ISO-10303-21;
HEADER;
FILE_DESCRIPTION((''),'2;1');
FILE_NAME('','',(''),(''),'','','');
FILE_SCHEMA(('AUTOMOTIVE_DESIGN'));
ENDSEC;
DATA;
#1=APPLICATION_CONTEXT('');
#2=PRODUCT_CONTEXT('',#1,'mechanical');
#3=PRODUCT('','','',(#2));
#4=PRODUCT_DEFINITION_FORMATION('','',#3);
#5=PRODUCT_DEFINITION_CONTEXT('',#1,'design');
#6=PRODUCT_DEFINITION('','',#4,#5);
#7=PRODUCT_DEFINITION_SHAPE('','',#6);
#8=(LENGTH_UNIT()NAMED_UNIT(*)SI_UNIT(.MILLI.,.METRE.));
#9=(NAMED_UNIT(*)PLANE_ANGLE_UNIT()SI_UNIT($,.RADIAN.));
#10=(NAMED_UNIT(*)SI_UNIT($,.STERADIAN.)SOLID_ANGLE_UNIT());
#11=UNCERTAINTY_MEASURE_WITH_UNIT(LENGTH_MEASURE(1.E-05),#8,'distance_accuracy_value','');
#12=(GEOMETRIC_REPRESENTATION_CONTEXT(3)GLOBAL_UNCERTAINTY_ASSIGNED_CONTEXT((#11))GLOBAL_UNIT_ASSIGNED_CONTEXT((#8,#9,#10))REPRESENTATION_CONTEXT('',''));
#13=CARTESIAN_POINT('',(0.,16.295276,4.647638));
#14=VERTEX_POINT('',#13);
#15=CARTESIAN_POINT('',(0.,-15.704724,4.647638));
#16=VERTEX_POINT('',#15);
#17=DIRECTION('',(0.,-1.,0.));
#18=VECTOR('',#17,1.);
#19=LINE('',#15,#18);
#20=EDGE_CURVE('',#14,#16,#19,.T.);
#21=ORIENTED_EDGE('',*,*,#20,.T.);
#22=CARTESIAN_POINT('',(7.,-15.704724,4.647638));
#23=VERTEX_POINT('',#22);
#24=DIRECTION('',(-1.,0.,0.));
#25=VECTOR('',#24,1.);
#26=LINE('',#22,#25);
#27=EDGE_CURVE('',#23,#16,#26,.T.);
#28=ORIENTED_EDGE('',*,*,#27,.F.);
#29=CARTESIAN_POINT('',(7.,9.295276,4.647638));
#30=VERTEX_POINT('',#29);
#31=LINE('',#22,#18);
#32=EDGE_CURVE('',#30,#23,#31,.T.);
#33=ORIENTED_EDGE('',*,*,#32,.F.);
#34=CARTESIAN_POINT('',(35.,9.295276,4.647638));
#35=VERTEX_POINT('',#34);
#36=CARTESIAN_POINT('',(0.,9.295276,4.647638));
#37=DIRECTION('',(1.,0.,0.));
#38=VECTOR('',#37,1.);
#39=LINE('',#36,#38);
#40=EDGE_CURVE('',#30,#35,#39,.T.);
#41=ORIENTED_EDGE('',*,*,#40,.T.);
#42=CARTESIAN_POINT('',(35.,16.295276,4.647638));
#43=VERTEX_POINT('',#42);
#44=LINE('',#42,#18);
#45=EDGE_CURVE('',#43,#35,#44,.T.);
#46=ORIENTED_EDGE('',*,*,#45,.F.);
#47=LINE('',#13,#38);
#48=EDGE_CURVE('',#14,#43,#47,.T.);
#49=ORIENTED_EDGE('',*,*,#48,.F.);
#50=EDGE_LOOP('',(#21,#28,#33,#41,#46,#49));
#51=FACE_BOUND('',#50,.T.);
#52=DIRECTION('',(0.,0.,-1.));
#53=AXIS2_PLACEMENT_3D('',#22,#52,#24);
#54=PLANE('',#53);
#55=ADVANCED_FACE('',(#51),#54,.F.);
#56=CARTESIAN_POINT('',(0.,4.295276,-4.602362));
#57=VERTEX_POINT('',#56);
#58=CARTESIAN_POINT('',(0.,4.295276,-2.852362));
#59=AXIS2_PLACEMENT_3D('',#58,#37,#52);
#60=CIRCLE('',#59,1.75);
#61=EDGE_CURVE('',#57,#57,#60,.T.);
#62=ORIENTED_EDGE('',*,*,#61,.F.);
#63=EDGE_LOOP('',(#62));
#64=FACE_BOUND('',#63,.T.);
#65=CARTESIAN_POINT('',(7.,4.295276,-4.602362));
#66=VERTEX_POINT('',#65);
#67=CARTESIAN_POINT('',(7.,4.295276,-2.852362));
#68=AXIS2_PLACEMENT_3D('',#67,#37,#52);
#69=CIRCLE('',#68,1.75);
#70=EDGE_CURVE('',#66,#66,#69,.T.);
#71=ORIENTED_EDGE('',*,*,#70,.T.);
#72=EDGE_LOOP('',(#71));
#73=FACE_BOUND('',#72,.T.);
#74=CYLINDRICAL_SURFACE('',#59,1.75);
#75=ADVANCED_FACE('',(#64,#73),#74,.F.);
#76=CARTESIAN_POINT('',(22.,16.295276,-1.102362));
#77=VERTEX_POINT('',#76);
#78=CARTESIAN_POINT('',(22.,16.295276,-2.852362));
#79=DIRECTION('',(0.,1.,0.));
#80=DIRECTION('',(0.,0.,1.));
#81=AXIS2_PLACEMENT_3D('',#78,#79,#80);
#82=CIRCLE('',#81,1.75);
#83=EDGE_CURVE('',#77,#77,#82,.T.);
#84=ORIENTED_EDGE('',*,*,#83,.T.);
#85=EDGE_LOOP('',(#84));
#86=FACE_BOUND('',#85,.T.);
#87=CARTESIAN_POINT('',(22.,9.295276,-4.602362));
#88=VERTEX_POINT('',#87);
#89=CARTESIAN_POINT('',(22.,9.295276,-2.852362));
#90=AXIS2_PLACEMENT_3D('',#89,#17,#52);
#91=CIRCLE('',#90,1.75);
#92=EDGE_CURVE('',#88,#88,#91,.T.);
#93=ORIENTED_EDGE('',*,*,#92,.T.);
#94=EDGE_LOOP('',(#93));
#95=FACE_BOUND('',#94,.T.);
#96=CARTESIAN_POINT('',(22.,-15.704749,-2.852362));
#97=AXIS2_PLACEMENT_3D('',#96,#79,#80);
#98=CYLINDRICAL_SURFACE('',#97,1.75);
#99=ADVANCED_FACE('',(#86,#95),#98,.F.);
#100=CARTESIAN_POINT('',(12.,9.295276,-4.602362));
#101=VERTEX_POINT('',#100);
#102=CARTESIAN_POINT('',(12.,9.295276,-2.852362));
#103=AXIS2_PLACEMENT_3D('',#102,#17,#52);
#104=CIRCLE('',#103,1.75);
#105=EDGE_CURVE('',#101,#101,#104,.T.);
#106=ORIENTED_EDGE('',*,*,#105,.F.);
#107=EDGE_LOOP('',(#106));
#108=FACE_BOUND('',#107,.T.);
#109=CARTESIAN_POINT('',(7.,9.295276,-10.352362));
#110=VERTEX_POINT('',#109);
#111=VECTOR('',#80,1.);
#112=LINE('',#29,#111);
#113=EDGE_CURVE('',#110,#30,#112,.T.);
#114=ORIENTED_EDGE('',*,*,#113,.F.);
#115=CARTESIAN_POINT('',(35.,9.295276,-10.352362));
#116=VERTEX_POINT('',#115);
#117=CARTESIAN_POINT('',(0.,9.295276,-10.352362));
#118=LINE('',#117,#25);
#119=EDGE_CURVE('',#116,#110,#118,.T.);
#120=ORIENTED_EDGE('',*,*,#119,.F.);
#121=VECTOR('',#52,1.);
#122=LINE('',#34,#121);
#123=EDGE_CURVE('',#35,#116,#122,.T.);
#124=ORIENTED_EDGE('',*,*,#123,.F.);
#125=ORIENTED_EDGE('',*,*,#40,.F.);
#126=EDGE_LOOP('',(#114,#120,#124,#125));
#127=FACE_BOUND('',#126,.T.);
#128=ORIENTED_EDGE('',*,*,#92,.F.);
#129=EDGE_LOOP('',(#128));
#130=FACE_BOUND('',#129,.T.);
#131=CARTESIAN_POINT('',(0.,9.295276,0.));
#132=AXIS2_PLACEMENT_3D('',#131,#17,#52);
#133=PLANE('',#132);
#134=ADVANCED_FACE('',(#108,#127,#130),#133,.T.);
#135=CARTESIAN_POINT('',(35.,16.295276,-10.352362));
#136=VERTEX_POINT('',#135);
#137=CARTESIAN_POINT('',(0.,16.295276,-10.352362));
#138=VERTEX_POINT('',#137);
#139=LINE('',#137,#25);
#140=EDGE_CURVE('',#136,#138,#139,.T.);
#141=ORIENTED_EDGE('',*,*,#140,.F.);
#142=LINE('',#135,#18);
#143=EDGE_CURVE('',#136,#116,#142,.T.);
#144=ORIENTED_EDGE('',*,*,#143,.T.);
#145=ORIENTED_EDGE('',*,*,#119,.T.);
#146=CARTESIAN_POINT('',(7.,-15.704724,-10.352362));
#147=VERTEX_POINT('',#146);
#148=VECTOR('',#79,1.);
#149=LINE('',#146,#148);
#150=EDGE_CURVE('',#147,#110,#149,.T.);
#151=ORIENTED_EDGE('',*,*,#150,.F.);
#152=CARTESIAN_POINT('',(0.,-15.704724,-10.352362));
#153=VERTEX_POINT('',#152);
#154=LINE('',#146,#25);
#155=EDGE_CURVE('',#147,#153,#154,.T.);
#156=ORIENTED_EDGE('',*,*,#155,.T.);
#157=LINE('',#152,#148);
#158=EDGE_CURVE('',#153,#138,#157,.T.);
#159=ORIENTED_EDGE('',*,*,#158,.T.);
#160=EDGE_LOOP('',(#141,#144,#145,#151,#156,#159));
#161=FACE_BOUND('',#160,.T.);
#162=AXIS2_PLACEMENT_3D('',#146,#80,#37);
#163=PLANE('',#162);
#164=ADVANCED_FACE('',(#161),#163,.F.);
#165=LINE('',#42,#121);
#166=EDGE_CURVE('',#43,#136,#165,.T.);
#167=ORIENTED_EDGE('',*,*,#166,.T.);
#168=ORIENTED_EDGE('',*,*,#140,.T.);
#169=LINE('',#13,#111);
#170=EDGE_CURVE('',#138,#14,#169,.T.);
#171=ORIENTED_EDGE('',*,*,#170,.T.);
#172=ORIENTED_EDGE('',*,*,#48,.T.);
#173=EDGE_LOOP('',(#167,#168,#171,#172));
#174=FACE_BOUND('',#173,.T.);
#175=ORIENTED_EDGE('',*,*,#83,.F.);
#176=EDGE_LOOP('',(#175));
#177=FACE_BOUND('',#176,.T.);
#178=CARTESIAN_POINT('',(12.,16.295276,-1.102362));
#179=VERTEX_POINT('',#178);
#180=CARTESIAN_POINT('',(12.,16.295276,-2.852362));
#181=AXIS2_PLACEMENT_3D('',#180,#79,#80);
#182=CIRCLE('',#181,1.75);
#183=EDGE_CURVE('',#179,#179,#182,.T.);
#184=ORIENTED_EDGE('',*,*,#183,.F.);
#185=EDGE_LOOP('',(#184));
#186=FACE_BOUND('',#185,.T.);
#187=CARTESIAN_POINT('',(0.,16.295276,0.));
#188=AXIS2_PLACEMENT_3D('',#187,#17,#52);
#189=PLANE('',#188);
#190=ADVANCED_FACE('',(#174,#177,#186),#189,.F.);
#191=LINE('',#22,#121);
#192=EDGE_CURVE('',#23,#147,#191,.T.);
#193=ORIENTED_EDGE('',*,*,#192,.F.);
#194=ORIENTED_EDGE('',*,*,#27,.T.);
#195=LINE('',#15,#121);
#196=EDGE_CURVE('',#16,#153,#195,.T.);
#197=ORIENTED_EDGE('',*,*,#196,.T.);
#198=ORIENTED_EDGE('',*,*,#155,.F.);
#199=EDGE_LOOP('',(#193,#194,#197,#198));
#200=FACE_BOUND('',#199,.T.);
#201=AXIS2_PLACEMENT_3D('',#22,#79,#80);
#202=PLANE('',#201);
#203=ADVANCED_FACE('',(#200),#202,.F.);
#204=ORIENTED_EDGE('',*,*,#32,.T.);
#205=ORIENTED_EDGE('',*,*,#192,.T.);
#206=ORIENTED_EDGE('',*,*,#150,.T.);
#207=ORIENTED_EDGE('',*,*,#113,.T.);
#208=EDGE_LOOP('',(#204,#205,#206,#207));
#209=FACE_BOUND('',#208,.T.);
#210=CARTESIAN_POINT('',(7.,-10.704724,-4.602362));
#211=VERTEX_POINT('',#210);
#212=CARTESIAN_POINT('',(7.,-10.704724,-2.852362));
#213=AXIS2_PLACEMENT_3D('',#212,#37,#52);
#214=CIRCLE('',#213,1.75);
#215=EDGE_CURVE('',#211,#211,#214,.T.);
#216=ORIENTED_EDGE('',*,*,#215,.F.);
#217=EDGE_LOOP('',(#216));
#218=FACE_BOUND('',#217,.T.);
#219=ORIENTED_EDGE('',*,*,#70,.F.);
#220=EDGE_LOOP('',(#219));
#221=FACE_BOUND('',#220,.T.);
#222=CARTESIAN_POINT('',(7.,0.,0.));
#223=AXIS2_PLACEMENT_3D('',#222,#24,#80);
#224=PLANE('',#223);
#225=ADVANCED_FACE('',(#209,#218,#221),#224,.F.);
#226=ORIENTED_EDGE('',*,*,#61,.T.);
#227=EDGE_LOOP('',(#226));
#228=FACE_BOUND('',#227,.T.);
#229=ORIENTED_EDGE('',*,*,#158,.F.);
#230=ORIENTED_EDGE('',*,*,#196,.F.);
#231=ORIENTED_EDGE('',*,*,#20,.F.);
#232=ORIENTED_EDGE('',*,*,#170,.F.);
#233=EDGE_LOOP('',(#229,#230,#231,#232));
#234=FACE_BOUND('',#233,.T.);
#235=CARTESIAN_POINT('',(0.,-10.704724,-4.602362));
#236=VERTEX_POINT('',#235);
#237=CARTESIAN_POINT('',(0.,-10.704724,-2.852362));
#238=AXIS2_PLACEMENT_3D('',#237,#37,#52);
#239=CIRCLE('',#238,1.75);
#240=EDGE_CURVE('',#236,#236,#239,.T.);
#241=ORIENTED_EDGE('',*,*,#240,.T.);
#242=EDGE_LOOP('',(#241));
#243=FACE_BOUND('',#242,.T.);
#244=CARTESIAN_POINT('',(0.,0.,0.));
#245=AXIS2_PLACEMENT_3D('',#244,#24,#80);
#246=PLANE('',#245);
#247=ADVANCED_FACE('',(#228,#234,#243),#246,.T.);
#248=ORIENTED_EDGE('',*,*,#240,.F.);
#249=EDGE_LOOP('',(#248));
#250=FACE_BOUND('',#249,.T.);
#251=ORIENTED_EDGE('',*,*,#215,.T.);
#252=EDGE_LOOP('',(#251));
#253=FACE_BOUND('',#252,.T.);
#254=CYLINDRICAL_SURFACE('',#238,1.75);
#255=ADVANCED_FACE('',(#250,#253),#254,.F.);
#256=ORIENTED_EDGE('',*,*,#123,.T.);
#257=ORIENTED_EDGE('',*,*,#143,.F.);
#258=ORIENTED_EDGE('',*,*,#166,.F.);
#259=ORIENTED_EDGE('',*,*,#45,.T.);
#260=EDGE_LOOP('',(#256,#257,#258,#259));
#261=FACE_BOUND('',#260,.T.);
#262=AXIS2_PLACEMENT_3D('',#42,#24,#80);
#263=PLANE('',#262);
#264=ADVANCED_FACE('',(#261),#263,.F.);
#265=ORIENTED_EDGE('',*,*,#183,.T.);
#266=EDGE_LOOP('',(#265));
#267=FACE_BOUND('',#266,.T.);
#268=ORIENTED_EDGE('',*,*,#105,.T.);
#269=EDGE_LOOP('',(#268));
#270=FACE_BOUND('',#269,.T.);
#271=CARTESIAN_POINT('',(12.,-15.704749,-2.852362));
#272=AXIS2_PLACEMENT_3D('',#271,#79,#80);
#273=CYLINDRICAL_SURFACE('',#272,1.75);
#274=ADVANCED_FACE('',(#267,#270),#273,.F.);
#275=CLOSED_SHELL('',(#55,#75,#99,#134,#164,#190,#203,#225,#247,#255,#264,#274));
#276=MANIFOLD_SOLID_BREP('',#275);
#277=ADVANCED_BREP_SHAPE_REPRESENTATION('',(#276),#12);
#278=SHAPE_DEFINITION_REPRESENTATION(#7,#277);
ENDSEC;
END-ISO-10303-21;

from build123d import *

# Parameters (mm, degrees)
SKETCH2_W           = 15
SKETCH2_H           = 25
BOSS_EXTRUDE1_DEPTH = 7
SKETCH3_R           = 1.75
CUT_EXTRUDE1_DEPTH  = 21.070120648
SKETCH4_W           = 35
SKETCH4_H           = 15
BOSS_EXTRUDE2_DEPTH = 7
SKETCH5_R           = 1.75
CUT_EXTRUDE2_DEPTH  = 49.540409928


with BuildPart() as part:
    # Sketch2 → Boss-Extrude1 (new body)
    with BuildSketch(Plane(origin=(0, 0, 0), x_dir=(0, 0, -1), z_dir=(1, 0, 0))):
        with Locations((2.852361856, -3.204723711)):
            Rectangle(SKETCH2_W, SKETCH2_H)
    extrude(amount=BOSS_EXTRUDE1_DEPTH)

    # Sketch3 → Cut-Extrude1 (cut, through all)
    with BuildSketch(Plane(origin=(7, 0, 0), x_dir=(0, 0, -1), z_dir=(1, 0, 0))):
        with Locations((2.852361856, -10.704723711)):
            Circle(SKETCH3_R)
        with Locations((2.852361856, 4.295276289)):
            Circle(SKETCH3_R)
    extrude(amount=-CUT_EXTRUDE1_DEPTH, mode=Mode.SUBTRACT)

    # Sketch4 → Boss-Extrude2 (add)
    with BuildSketch(Plane(origin=(0, 9.295276289, 0), x_dir=(1, 0, 0), z_dir=(0, 1, 0))):
        with Locations((17.5, 2.852361856)):
            Rectangle(SKETCH4_W, SKETCH4_H)
    extrude(amount=BOSS_EXTRUDE2_DEPTH)

    # Sketch5 → Cut-Extrude2 (cut, through all)
    with BuildSketch(Plane(origin=(0, 16.295276289, 0), x_dir=(1, 0, 0), z_dir=(0, 1, 0))):
        with Locations(Location((12, 2.852361856, 0), (0, 0, 270))):
            Circle(SKETCH5_R)
        with Locations(Location((22, 2.852361856, 0), (0, 0, 270))):
            Circle(SKETCH5_R)
    extrude(amount=-CUT_EXTRUDE2_DEPTH, mode=Mode.SUBTRACT)


solid = part.part
